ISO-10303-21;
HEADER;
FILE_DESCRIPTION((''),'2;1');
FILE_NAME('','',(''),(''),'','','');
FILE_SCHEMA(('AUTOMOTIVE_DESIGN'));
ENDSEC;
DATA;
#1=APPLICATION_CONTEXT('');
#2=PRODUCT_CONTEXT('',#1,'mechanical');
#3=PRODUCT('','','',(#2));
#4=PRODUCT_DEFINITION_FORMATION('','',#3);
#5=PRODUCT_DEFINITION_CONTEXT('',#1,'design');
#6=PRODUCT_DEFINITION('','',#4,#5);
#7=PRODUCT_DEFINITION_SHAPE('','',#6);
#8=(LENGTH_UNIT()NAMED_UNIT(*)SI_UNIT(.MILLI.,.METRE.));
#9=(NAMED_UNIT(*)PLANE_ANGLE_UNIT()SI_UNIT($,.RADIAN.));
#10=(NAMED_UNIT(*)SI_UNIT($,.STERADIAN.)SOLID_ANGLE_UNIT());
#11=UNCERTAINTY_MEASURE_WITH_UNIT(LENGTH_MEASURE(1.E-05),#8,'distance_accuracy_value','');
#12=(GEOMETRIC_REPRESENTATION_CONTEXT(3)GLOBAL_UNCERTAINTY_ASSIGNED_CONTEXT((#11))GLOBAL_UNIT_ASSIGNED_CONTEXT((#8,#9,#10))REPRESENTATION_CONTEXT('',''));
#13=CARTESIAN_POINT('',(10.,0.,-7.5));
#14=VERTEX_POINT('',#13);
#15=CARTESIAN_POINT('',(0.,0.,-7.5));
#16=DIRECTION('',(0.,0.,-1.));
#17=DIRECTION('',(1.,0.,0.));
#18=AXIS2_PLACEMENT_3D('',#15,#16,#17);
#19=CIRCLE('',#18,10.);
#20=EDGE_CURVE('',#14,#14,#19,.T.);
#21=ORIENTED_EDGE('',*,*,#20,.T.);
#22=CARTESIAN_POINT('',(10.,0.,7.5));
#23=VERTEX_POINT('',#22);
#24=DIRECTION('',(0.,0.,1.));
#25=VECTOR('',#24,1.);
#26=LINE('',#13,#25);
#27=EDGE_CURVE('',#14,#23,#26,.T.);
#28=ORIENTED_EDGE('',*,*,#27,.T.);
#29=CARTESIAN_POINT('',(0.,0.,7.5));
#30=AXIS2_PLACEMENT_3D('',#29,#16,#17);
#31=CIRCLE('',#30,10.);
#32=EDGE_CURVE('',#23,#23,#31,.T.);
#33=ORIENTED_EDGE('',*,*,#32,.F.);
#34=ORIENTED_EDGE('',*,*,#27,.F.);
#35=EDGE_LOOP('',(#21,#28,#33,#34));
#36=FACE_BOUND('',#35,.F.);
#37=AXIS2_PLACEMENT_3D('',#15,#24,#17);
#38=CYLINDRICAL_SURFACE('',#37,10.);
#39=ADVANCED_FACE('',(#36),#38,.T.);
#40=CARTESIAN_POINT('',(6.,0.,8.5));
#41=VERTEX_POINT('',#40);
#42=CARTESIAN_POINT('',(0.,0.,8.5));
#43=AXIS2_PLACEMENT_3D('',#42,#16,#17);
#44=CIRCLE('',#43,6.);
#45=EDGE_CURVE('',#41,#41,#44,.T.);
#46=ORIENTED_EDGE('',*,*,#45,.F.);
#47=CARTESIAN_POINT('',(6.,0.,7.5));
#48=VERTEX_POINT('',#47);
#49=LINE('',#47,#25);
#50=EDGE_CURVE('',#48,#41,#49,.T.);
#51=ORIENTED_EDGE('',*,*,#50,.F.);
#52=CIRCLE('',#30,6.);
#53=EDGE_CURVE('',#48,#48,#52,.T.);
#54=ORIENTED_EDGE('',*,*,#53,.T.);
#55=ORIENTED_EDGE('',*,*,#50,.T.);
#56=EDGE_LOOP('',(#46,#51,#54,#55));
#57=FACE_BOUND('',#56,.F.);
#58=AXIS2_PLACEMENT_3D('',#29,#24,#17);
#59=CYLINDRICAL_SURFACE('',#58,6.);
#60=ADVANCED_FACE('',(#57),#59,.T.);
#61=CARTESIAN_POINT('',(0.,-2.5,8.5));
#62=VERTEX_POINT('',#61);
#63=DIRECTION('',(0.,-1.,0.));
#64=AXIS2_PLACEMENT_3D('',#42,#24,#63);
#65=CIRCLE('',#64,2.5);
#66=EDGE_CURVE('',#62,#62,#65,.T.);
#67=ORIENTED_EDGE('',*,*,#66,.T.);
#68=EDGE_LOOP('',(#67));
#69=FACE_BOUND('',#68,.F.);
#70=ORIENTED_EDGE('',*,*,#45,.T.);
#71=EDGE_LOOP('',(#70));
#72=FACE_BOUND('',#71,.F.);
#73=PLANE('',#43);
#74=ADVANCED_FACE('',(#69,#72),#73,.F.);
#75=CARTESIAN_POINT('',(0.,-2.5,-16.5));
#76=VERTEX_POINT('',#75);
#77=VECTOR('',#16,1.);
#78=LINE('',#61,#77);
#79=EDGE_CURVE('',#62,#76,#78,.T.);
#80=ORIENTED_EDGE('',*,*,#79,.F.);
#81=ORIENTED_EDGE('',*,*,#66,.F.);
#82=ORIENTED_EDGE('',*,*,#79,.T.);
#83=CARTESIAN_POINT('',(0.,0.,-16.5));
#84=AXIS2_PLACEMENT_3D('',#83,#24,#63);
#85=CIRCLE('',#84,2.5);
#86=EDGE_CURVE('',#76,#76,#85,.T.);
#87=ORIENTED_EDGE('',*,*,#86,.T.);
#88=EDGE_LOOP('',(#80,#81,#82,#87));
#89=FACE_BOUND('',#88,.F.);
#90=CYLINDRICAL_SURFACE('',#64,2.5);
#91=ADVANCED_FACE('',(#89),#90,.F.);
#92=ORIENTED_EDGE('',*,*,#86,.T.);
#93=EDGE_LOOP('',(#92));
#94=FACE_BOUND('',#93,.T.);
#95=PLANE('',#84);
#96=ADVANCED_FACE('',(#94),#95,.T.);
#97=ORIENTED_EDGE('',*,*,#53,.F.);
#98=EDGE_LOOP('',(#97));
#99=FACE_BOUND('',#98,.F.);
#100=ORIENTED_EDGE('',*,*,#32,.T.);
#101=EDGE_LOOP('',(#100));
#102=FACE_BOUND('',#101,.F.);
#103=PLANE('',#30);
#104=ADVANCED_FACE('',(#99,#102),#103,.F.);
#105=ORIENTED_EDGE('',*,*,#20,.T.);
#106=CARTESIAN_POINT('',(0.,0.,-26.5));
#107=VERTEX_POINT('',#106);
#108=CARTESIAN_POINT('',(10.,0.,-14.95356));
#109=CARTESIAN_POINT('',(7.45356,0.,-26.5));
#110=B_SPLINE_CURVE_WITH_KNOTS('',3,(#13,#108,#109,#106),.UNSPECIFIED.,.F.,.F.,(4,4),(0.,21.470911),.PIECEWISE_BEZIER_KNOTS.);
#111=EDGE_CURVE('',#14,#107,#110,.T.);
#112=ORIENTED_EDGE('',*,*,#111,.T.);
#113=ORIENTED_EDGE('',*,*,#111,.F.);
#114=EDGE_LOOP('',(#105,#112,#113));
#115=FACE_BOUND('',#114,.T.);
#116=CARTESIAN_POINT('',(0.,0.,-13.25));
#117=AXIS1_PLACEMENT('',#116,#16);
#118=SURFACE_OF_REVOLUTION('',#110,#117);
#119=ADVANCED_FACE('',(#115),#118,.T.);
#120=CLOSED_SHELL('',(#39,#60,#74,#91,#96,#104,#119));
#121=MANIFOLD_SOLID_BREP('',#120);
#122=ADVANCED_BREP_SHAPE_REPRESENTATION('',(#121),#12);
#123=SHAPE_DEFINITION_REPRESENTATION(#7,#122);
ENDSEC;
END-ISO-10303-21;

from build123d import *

# Parameters (mm, degrees)
F2_R     = 2.5
F3_DEPTH = 25
F5_ANGLE = 90


with BuildPart() as f1:
    # F0 (on Front) → F1 (revolve)
    with BuildSketch(Plane.XZ):
        with BuildLine():
            Line((-8.5, 0), (0, 0))
            Line((0, 0), (26.5, 0))
            add(Edge.make_bspline(
                [(7.5, 10), (14.95356, 10), (26.5, 7.45356), (26.5, 0)],
                knots=[0, 0, 0, 0, 21.470911, 21.470911, 21.470911, 21.470911], degree=3))
            Line((7.5, 10), (-7.5, 10))
            Line((-7.5, 10), (-7.5, 6))
            Line((-7.5, 6), (-8.5, 6))
            Line((-8.5, 6), (-8.5, 0))
        make_face()
    revolve(axis=Axis((13.25, 0, 0), (1, 0, 0)))

    # F2 (on face) → F3 (cut)
    with BuildSketch(Plane(origin=(-8.5, 0, 0), x_dir=(0, -1, 0), z_dir=(-1, 0, 0))):
        Circle(F2_R)
    extrude(amount=-F3_DEPTH, mode=Mode.SUBTRACT)


with BuildPart() as f1_1:
    # F5: moved
    add(f1.part.rotate(Axis((0, 12.53504, 0), (0, 1, 0)), F5_ANGLE))


solid = f1_1.part
